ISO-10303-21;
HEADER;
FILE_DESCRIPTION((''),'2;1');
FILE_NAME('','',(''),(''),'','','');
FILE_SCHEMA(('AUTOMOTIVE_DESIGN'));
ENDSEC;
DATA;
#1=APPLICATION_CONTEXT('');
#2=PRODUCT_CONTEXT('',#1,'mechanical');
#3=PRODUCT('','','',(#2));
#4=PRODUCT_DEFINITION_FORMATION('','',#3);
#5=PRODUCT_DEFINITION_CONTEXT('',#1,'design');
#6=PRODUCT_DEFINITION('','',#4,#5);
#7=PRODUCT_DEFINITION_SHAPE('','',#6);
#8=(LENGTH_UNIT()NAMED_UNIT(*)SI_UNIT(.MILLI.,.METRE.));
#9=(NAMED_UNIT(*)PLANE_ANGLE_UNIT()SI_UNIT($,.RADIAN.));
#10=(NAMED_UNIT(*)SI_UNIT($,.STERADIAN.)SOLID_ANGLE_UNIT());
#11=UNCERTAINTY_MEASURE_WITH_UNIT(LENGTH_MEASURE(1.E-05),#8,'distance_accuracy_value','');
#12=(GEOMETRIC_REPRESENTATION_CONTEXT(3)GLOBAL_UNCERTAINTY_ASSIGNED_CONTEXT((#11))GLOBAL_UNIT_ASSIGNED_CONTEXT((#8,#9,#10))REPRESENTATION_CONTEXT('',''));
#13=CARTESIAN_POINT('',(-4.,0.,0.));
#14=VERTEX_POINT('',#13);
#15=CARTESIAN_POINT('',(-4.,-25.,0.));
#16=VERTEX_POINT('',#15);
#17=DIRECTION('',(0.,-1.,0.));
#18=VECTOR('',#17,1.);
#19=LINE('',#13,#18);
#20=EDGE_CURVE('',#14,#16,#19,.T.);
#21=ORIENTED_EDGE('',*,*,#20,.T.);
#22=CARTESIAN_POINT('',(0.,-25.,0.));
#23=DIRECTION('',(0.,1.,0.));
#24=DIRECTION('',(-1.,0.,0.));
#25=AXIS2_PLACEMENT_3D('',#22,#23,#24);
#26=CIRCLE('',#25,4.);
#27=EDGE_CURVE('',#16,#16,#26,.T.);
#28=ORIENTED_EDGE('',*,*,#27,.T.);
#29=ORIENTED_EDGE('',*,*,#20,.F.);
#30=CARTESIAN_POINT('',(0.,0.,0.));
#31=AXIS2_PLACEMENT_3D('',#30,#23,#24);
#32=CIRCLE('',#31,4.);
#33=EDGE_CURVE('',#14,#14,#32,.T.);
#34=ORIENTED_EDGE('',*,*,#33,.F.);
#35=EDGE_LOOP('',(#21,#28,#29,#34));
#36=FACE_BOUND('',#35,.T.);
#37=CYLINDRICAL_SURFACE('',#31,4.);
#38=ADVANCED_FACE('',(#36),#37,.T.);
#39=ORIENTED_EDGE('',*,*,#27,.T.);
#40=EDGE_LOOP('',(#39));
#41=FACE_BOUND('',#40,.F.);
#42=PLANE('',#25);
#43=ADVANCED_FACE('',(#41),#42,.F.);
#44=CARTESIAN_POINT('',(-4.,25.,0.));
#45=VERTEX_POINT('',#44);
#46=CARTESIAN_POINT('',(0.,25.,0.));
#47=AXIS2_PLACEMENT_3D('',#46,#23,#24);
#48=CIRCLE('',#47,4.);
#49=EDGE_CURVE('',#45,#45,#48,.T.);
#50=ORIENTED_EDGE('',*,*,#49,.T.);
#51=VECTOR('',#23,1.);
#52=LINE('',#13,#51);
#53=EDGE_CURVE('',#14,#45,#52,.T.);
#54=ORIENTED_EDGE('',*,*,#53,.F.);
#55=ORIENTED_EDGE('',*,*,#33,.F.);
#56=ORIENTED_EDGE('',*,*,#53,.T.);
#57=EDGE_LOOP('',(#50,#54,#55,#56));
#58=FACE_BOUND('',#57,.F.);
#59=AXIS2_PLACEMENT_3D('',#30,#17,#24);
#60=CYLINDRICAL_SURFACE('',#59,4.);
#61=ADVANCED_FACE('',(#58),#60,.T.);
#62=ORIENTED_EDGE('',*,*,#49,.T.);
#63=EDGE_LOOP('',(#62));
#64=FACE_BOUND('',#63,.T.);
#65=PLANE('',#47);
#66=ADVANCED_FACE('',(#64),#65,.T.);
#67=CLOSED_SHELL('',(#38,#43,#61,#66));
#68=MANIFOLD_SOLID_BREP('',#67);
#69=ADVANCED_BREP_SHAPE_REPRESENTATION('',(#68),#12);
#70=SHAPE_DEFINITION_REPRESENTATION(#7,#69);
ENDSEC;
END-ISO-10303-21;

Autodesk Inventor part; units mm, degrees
ref_plane "YZ Plane" through (0, 0, 0) normal (1, 0, 0) x (0, 1, 0)
ref_plane "XZ Plane" through (0, 0, 0) normal (0, 1, 0) x (-1, 0, 0)
ref_plane "XY Plane" through (0, 0, 0) normal (0, 0, 1) x (1, 0, 0)
sketch "Sketch1" plane through (0, 0, 0) normal (0, 1, 0) x (-1, 0, 0)
  circle A0 centre (0, 0) radius 4
  dimension "d0" = 8
extrude "Extrusion1" add sketch "Sketch1" along normal mid plane 50
properties part number "Truc"
